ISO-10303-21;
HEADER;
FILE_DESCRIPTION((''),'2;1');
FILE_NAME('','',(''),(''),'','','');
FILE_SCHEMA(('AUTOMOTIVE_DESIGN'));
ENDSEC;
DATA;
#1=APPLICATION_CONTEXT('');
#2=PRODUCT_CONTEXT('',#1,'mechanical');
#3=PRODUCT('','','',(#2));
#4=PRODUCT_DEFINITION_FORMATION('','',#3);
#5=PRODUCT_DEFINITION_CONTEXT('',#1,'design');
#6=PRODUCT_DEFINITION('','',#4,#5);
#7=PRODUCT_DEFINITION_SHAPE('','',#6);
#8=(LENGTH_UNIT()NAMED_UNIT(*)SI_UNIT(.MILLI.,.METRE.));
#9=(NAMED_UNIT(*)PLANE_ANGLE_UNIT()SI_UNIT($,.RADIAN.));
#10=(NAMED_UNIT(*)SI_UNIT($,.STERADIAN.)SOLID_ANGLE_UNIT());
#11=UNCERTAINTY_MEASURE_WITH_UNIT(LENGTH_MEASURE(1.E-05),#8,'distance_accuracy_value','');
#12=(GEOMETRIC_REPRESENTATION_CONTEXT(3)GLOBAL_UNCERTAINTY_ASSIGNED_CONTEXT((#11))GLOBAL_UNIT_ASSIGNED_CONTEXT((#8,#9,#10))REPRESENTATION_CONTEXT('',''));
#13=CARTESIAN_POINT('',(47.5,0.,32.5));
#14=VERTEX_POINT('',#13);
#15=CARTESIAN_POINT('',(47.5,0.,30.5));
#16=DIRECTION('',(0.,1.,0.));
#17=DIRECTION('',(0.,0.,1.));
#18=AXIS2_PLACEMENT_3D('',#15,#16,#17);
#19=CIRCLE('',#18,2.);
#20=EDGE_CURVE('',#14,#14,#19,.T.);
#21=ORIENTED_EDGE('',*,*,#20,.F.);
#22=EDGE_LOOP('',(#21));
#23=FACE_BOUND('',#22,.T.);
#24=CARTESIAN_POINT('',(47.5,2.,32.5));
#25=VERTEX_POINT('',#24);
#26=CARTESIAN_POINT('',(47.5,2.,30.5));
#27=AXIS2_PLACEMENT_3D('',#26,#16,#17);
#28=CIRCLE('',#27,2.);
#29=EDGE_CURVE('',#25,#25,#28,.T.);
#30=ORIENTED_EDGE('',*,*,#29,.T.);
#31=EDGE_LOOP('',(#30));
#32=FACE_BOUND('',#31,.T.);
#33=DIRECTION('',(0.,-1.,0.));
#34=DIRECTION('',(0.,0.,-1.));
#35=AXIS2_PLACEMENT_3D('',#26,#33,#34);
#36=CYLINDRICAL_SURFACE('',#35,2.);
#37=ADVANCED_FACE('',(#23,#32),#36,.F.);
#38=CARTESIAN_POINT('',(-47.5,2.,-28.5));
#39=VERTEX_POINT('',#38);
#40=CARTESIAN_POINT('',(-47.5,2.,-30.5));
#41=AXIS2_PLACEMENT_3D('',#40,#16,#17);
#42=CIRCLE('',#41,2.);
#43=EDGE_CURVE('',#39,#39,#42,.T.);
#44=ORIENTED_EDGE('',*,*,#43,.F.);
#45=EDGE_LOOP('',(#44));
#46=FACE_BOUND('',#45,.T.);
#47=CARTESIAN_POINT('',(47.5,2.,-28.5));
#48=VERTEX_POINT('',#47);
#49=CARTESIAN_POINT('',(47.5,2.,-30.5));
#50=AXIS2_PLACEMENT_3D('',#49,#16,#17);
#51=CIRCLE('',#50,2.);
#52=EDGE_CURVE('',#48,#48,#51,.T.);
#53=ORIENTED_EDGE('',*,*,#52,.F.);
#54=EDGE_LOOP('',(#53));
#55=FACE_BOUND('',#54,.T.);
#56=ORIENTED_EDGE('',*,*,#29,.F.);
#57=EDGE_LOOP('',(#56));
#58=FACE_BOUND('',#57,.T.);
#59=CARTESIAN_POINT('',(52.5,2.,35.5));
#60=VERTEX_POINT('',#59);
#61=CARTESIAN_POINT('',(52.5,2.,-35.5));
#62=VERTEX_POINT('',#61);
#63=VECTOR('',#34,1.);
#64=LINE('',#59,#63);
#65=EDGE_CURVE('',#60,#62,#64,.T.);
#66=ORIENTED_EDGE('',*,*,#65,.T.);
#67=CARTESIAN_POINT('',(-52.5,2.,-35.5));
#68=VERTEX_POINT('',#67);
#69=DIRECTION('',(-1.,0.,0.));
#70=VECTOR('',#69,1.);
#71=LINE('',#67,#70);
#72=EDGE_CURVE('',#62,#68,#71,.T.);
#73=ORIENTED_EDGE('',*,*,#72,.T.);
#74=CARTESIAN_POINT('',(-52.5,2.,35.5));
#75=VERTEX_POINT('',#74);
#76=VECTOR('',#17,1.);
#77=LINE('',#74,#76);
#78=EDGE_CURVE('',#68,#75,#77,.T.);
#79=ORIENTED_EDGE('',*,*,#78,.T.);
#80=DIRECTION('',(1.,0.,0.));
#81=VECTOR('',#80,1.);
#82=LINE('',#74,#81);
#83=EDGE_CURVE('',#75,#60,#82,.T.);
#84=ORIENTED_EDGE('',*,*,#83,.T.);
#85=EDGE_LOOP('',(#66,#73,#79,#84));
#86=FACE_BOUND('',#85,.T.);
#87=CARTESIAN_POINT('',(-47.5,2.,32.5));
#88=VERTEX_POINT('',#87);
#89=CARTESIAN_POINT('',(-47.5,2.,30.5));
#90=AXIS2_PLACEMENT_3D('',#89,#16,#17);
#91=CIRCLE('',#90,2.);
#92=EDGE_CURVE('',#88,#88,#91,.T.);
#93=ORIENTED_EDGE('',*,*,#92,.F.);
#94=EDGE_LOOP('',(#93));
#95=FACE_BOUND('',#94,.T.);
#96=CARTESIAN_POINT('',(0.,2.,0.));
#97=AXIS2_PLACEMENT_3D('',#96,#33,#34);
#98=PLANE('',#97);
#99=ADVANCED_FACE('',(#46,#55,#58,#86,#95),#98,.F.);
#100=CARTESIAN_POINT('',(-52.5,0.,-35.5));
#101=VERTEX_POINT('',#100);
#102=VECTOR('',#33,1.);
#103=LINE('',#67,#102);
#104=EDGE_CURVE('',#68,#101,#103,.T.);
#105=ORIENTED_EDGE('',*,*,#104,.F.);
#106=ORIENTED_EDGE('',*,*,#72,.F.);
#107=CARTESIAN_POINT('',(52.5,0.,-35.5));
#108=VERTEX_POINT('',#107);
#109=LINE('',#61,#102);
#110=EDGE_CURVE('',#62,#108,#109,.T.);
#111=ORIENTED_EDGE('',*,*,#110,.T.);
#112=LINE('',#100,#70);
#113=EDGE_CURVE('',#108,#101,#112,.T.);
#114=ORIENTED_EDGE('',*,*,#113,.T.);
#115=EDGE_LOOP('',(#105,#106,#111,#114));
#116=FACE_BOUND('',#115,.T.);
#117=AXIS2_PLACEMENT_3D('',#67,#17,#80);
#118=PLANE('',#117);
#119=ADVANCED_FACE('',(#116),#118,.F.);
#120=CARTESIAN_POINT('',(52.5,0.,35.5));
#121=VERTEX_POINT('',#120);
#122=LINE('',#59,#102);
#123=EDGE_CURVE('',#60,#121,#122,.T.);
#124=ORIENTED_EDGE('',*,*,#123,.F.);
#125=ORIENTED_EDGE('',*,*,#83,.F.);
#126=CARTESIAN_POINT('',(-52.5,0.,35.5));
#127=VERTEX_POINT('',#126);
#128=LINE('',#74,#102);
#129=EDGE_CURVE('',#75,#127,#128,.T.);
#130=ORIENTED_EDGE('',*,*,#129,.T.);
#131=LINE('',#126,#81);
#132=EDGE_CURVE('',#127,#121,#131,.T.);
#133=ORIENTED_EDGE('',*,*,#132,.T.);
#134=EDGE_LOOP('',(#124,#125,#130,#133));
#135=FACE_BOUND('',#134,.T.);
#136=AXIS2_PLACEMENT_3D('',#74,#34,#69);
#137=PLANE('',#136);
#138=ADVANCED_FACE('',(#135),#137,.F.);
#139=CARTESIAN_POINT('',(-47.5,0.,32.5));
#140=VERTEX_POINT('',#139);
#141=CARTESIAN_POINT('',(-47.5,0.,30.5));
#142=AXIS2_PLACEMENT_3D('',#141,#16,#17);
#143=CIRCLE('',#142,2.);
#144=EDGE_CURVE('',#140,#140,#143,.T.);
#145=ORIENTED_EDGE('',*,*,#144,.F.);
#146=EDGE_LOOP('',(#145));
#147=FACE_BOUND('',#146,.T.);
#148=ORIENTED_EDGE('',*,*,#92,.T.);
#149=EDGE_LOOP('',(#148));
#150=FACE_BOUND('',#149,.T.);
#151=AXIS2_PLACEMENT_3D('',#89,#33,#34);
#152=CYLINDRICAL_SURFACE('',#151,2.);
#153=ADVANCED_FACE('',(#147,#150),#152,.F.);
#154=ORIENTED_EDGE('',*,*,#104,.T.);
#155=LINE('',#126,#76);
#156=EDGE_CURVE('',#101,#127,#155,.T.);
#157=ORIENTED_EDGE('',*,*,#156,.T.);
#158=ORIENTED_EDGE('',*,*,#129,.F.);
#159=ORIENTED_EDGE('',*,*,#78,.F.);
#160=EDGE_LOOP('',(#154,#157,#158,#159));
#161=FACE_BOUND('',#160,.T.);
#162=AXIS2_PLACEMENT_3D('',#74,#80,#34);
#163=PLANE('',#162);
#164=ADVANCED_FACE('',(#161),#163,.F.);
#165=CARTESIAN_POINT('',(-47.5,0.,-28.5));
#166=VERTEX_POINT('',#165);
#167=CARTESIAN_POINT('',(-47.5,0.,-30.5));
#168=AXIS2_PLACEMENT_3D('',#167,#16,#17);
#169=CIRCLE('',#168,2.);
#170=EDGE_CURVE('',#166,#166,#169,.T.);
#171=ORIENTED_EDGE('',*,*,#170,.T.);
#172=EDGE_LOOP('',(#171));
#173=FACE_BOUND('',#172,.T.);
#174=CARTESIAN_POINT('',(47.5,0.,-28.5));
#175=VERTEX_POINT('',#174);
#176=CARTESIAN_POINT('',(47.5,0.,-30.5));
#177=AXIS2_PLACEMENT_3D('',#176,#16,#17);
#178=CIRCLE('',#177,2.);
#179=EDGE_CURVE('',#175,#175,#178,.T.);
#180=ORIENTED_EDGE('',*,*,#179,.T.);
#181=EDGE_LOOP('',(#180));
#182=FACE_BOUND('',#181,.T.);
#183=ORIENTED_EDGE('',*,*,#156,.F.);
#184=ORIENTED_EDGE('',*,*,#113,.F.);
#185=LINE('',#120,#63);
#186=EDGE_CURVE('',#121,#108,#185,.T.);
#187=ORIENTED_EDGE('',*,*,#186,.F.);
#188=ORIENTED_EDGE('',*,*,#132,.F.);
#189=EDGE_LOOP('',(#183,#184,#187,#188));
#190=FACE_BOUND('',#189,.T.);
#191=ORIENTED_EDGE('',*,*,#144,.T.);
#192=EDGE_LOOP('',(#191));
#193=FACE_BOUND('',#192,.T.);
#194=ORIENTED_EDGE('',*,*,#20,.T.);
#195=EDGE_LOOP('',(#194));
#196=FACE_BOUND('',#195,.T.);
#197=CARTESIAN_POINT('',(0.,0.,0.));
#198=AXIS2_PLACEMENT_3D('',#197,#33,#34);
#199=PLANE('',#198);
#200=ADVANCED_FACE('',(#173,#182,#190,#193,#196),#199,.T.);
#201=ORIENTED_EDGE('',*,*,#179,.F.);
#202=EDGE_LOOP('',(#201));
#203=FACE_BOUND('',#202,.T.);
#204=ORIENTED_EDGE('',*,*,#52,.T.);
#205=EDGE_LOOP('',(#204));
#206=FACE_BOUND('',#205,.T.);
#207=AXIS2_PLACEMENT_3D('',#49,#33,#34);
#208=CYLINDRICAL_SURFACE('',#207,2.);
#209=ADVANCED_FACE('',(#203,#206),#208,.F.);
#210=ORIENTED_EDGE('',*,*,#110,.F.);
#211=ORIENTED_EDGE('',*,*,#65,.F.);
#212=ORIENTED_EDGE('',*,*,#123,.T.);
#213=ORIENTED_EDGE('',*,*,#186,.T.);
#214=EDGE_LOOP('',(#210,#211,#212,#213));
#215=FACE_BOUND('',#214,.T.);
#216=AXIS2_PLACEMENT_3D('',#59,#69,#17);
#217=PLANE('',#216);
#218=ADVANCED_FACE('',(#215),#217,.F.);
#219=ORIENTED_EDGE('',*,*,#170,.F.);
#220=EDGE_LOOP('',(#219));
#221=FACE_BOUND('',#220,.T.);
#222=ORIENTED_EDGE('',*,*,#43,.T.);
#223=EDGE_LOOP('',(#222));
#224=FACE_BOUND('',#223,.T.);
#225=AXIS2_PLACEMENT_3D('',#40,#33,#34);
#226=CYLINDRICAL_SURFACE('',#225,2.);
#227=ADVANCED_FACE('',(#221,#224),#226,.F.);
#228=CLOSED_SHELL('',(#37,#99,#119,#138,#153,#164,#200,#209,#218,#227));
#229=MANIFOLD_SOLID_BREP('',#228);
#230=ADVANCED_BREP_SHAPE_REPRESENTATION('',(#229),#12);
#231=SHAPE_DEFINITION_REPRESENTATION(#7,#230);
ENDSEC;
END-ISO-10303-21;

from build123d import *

# Parameters (mm, degrees)
SKETCH1_W           = 105
SKETCH1_H           = 71
SKETCH1_R           = 2
BOSS_EXTRUDE1_DEPTH = 2


with BuildPart() as part:
    # Sketch1 → Boss-Extrude1 (new body)
    with BuildSketch(Plane(origin=(0, 0, 0), x_dir=(1, 0, 0), z_dir=(0, 1, 0))):
        Rectangle(SKETCH1_W, SKETCH1_H)
        with Locations((-47.5, 30.5)):
            Circle(SKETCH1_R, mode=Mode.SUBTRACT)
        with Locations((47.5, 30.5)):
            Circle(SKETCH1_R, mode=Mode.SUBTRACT)
        with Locations((47.5, -30.5)):
            Circle(SKETCH1_R, mode=Mode.SUBTRACT)
        with Locations((-47.5, -30.5)):
            Circle(SKETCH1_R, mode=Mode.SUBTRACT)
    extrude(amount=BOSS_EXTRUDE1_DEPTH)


solid = part.part
